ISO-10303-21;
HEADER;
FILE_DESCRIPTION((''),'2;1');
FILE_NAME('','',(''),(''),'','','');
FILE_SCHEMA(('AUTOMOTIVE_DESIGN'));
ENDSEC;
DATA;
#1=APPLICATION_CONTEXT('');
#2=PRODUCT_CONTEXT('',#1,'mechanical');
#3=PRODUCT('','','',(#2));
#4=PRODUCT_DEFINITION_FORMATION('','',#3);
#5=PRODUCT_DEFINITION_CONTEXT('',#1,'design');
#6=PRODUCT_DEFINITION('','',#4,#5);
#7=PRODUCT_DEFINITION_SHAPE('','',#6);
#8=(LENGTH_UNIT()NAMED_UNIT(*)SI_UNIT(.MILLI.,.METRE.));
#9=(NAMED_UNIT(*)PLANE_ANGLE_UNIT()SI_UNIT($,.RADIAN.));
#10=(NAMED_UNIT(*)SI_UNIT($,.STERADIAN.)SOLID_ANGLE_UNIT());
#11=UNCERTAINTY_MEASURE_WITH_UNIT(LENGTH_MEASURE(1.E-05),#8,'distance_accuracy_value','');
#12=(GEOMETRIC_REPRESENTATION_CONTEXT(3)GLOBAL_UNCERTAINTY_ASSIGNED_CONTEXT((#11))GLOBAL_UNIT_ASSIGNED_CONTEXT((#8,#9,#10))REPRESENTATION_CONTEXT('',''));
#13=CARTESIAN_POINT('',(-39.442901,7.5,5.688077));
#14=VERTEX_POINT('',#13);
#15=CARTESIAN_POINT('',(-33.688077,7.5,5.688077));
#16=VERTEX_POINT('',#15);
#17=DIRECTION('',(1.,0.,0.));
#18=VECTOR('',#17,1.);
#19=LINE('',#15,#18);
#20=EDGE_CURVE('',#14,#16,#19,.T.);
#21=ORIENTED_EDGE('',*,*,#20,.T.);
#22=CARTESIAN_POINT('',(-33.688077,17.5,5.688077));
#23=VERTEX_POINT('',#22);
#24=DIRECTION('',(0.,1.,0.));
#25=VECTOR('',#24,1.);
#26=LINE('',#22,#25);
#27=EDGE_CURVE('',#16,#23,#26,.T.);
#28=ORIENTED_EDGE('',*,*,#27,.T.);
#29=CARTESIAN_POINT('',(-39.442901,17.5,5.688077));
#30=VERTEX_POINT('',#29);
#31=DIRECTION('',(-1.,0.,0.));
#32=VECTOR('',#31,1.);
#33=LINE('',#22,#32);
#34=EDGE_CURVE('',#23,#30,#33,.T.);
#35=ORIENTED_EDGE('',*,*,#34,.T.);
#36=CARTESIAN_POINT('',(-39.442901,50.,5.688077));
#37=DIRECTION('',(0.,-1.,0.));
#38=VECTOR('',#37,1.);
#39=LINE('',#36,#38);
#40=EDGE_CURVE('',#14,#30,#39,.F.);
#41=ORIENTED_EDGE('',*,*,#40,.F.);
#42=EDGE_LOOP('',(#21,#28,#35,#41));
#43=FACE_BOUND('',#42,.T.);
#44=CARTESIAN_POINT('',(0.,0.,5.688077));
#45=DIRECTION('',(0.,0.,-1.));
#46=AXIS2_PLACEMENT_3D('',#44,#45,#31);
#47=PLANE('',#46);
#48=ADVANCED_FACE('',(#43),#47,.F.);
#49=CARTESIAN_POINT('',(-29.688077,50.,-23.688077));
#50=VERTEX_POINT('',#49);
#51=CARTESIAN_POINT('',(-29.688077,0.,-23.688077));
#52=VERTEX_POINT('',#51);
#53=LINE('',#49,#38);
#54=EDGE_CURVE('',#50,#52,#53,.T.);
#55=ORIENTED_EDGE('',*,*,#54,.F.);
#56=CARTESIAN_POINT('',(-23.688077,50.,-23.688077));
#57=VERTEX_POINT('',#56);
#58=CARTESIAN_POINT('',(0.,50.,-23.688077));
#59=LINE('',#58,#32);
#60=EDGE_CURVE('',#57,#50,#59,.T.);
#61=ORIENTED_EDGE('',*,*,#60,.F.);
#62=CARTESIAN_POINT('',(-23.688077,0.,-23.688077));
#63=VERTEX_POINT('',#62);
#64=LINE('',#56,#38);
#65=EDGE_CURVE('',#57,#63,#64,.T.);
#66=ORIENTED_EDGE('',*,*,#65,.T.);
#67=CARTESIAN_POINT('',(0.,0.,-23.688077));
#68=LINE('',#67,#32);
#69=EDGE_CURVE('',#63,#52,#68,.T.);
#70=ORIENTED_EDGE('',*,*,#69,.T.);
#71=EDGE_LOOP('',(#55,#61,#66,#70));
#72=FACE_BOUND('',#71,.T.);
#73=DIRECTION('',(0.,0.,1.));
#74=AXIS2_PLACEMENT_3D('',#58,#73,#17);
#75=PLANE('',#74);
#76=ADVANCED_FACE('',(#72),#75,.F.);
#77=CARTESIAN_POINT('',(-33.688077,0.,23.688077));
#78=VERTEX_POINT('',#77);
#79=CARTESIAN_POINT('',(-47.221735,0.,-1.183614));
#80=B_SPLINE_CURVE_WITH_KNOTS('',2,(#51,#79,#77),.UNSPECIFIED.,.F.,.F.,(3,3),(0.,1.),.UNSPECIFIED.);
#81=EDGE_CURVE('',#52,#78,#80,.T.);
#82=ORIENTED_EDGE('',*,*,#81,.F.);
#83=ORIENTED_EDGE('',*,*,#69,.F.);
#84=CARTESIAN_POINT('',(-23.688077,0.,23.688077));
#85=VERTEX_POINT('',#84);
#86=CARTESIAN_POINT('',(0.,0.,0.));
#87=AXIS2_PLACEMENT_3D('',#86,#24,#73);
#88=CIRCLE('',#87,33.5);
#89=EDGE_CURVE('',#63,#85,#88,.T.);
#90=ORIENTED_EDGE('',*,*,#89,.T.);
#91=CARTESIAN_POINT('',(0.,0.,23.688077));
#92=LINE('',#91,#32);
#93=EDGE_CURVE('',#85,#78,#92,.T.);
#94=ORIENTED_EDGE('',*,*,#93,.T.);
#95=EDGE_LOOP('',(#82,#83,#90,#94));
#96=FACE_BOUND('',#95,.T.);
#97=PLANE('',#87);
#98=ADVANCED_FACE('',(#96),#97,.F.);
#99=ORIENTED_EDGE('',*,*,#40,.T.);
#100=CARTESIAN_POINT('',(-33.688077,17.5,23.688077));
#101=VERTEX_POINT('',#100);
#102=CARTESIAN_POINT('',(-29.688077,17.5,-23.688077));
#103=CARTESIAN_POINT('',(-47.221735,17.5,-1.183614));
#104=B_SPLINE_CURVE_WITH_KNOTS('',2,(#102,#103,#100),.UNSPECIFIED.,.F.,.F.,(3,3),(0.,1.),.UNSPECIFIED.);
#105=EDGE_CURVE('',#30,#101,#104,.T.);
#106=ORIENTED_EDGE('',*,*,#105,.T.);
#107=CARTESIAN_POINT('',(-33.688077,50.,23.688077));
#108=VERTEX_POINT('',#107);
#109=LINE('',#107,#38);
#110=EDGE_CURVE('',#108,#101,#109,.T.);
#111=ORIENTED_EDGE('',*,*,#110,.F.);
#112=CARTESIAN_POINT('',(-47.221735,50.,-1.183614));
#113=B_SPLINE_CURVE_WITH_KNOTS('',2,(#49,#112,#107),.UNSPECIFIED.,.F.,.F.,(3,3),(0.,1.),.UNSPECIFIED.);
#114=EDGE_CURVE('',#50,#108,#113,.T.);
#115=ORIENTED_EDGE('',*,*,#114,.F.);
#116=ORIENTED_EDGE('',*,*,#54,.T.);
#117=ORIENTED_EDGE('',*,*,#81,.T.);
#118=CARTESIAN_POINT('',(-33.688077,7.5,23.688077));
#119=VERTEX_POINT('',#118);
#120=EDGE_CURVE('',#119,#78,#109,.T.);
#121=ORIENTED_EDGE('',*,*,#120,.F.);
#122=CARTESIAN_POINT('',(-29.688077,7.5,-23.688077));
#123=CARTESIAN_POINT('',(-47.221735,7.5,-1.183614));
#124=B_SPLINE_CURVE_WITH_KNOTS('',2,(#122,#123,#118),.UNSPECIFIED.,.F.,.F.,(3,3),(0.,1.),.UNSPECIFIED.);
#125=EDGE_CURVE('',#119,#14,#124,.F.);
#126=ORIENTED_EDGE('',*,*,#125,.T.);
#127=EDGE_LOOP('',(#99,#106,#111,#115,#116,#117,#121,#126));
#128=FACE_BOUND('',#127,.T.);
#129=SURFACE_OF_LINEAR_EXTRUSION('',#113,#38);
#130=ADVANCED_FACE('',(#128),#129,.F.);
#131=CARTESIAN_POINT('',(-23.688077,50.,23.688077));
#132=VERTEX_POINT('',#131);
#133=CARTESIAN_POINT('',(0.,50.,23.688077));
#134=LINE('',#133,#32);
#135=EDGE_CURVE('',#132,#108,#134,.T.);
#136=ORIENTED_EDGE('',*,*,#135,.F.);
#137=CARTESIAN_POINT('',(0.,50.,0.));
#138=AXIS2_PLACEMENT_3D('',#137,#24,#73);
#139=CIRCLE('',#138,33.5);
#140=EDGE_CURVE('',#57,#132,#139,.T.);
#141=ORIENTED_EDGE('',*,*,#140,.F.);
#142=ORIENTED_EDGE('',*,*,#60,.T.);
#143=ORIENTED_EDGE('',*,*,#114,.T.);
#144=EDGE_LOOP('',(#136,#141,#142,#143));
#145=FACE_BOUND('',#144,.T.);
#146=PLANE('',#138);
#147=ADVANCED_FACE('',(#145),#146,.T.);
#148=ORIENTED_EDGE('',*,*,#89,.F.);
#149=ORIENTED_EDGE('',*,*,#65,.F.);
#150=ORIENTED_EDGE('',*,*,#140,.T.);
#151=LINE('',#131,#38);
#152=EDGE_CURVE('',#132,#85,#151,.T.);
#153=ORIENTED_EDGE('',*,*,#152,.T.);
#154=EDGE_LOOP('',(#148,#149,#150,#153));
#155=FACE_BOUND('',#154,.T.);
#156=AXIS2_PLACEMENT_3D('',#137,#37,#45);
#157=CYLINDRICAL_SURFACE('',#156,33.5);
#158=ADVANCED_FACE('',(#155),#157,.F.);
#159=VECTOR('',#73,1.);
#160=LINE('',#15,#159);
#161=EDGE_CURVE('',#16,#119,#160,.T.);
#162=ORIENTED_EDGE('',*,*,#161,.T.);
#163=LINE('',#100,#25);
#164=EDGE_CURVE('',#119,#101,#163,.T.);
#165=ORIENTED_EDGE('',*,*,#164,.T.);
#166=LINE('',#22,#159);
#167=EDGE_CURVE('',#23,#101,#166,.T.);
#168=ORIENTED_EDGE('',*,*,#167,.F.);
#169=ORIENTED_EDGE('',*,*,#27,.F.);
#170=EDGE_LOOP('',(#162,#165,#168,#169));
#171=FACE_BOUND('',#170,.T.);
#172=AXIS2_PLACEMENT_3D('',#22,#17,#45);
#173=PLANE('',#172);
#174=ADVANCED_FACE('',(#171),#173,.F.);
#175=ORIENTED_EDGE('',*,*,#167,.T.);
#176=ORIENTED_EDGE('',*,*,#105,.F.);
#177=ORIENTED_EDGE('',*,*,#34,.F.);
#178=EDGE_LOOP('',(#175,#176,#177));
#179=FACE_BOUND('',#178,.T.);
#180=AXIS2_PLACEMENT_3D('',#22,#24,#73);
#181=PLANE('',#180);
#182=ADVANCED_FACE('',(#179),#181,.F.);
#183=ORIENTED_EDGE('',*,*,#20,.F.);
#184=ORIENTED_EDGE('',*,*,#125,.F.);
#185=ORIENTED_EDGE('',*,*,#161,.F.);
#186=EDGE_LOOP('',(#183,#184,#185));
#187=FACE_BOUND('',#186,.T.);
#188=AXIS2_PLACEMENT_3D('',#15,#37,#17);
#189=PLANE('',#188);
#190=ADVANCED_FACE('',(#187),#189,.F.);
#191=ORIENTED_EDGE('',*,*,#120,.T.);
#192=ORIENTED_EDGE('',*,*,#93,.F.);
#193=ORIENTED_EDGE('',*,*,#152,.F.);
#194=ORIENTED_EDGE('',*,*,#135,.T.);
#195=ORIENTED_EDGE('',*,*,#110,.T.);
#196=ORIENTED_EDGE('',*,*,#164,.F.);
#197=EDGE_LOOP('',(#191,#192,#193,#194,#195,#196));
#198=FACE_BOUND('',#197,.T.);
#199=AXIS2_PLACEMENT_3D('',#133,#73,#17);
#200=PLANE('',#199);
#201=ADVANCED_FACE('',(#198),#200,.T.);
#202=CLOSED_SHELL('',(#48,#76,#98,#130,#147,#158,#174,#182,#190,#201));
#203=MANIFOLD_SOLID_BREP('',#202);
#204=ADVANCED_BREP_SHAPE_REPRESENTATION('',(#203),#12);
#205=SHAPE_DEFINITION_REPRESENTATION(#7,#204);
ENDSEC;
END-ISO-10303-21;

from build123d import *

# Parameters (mm, degrees)
BOSS_EXTRUDE1_DEPTH = 50
SKETCH3_W           = 8
SKETCH3_H           = 10
CUT_EXTRUDE5_DEPTH  = 18


with BuildPart() as part:
    # Sketch2 → Boss-Extrude1 (new body)
    with BuildSketch(Plane(origin=(0, 0, 0), x_dir=(1, 0, 0), z_dir=(0, 1, 0))):
        with BuildLine():
            ThreePointArc((-23.68807717, -23.68807717), (-33.5, 0), (-23.68807717, 23.68807717))
            Line((-23.68807717, 23.68807717), (-29.68807717, 23.68807717))
            add(Edge.make_bspline(
                [(-29.68807717, 23.68807717), (-47.221735333, 1.183613852), (-33.68807717, -23.68807717)],
                knots=[0, 0, 0, 1, 1, 1], degree=2))
            Line((-33.68807717, -23.68807717), (-23.68807717, -23.68807717))
        make_face()
    extrude(amount=BOSS_EXTRUDE1_DEPTH)

    # Sketch3 → Cut-Extrude5 (cut)
    with BuildSketch(Plane.XY.offset(23.68807717)):
        with Locations((-37.68807717, 12.5)):
            Rectangle(SKETCH3_W, SKETCH3_H)
    extrude(amount=-CUT_EXTRUDE5_DEPTH, mode=Mode.SUBTRACT)


solid = part.part
